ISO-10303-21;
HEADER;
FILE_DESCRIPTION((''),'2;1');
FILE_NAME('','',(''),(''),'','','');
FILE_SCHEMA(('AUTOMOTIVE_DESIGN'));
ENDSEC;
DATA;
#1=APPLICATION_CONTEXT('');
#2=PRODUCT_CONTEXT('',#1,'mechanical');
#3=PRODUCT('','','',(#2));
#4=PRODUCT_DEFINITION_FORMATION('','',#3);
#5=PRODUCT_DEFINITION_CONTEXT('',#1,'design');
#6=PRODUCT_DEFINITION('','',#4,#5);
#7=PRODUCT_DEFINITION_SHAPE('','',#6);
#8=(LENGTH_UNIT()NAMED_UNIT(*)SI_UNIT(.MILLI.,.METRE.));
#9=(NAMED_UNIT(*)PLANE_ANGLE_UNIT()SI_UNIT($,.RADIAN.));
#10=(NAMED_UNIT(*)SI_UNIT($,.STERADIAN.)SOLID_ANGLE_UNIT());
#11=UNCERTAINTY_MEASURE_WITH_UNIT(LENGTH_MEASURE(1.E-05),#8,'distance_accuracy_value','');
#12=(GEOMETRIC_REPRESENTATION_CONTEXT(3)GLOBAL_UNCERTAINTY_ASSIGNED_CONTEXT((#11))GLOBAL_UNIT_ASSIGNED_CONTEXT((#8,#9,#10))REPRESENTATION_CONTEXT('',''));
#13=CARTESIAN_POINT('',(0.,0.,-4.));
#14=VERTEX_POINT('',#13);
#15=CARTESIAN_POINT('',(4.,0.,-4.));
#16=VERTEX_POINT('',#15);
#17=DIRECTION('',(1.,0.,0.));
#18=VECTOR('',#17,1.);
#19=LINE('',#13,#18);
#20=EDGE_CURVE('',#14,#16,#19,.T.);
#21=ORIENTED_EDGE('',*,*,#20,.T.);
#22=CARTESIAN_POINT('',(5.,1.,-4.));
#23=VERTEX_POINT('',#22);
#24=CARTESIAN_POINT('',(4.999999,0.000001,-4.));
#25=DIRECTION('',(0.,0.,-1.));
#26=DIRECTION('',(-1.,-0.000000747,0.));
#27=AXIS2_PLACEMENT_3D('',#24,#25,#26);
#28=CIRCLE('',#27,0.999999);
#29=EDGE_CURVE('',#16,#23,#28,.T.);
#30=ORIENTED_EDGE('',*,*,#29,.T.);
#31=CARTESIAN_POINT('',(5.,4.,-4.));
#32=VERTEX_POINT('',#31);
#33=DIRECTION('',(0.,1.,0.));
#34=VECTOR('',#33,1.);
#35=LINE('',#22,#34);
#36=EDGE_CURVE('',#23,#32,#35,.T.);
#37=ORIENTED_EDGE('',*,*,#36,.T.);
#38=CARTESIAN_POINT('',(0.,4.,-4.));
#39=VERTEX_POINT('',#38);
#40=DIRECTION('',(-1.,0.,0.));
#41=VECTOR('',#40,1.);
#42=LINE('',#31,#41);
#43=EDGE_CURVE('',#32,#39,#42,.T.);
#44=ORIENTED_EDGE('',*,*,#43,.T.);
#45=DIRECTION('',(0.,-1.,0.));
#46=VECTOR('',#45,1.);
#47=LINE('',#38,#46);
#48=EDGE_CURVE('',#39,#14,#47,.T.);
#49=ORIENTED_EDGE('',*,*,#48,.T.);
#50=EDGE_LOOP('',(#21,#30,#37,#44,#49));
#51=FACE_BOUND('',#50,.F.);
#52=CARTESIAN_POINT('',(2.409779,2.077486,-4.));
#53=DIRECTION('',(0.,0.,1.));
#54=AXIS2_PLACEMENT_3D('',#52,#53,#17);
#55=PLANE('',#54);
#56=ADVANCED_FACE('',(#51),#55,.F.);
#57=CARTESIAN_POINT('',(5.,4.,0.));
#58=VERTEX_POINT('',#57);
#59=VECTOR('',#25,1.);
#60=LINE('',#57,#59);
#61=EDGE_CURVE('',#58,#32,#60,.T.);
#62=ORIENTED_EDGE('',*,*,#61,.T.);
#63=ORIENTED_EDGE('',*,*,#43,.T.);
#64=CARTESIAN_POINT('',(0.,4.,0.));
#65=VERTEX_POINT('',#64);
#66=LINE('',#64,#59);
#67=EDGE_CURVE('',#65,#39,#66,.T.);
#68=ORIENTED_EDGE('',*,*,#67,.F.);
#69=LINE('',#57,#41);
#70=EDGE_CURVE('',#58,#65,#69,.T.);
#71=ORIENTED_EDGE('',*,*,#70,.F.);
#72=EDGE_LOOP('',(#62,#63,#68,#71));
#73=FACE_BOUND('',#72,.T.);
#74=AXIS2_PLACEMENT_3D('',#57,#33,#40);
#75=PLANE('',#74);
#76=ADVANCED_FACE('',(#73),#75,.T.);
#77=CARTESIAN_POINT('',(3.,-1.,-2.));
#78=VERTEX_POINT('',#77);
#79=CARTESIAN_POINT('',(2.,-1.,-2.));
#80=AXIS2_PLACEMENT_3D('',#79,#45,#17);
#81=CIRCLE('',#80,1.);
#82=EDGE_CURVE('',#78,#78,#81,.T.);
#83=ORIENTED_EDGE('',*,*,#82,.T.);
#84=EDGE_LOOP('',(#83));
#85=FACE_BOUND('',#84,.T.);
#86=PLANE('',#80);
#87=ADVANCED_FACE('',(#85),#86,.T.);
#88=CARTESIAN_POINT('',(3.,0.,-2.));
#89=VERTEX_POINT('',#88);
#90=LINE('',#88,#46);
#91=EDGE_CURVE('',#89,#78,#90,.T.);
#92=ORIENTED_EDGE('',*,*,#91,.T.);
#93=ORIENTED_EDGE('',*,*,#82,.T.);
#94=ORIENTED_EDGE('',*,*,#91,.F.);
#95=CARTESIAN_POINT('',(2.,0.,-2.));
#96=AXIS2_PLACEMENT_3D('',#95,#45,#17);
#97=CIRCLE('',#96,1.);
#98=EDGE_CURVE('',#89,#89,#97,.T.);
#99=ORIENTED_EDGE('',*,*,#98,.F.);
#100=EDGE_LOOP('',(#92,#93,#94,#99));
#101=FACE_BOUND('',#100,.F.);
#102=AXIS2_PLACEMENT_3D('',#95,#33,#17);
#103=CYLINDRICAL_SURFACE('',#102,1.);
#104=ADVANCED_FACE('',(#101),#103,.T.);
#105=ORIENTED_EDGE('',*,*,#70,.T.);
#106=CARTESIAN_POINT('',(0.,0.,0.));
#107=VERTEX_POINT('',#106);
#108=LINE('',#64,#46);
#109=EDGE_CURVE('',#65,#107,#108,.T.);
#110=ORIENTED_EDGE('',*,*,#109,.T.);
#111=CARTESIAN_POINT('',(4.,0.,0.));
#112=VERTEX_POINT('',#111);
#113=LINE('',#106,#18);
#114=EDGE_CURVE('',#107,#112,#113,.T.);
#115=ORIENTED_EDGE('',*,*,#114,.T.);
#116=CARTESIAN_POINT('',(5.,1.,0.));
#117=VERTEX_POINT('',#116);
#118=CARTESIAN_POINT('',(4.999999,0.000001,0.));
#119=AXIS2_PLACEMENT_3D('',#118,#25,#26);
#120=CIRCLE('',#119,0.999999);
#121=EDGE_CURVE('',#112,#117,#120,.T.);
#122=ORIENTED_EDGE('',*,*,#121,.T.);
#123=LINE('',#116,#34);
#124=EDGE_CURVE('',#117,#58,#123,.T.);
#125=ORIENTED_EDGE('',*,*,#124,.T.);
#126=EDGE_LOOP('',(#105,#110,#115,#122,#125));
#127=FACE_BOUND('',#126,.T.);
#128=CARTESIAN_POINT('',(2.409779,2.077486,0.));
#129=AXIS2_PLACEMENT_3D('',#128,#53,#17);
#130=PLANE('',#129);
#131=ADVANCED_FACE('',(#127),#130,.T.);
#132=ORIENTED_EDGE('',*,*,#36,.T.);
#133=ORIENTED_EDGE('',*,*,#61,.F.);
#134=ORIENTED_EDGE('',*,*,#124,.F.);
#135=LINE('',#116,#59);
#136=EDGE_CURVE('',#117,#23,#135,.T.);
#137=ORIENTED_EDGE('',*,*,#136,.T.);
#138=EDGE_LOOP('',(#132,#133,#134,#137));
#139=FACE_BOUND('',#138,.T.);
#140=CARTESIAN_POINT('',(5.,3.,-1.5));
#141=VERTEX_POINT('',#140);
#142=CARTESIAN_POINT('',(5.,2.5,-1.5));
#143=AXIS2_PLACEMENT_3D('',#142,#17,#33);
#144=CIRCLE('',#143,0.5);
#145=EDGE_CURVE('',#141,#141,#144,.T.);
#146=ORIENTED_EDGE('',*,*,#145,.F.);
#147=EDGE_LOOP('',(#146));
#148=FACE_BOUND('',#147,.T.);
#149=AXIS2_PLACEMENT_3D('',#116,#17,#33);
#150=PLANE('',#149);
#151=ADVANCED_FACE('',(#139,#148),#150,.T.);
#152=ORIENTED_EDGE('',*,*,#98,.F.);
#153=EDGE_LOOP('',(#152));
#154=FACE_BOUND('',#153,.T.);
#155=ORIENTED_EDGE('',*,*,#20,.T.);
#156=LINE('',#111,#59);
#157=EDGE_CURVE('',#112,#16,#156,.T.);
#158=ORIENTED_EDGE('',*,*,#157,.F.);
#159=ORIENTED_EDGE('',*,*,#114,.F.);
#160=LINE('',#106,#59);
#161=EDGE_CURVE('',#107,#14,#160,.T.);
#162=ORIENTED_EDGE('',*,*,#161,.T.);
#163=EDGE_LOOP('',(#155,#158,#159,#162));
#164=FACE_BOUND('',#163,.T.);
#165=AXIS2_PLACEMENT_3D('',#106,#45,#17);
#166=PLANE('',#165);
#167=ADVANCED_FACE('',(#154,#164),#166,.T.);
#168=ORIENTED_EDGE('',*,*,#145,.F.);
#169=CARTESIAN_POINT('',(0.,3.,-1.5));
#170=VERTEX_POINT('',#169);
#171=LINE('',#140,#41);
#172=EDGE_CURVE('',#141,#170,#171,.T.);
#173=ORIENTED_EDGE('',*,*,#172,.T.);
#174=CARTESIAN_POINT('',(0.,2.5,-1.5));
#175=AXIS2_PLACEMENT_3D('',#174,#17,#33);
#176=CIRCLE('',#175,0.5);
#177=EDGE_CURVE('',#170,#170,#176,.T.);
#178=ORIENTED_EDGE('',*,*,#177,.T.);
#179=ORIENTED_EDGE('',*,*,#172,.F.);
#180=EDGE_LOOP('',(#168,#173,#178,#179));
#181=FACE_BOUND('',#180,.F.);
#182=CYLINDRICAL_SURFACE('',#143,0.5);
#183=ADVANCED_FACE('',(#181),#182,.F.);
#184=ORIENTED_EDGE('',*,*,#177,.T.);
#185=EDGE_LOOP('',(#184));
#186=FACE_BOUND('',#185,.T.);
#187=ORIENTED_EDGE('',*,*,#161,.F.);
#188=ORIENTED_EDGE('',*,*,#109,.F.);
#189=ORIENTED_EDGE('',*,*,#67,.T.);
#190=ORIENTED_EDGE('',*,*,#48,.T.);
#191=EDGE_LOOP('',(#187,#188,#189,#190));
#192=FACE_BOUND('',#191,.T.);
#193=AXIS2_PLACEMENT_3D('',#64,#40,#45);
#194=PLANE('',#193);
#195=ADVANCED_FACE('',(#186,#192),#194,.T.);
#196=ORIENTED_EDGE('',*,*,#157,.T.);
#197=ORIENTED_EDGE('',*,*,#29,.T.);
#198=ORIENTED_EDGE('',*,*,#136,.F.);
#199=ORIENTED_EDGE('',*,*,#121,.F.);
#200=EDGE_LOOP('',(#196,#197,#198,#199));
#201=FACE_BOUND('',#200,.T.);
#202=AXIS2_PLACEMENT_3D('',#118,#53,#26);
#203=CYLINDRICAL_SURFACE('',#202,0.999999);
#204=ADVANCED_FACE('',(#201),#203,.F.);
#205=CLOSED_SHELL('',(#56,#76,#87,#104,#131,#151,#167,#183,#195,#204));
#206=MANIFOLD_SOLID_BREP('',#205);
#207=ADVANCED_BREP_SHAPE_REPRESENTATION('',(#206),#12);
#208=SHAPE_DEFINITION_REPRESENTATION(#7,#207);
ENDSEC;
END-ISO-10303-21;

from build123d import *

# Parameters (mm, degrees)
F1_DEPTH = 4
F2_R     = 1
F3_DEPTH = 1
F4_R     = 0.5
F5_DEPTH = 25


with BuildPart() as f1:
    # F0 (on Top) → F1 (new body)
    with BuildSketch(Plane.XY):
        with BuildLine():
            Line((0, 4), (0, 0))
            Line((0, 0), (4, 0))
            ThreePointArc((4, 0), (4.292893, 0.707107), (5, 1))
            Line((5, 1), (5, 4))
            Line((5, 4), (0, 4))
        make_face()
    extrude(amount=-F1_DEPTH)

    # F2 (on Front) → F3 (join)
    with BuildSketch(Plane.XZ):
        with Locations((2, -2)):
            Circle(F2_R)
    extrude(amount=F3_DEPTH)

    # F4 (on face) → F5 (cut)
    with BuildSketch(Plane.YZ.offset(5)):
        with Locations((2.5, -1.5)):
            Circle(F4_R)
    extrude(amount=-F5_DEPTH, mode=Mode.SUBTRACT)


solid = f1.part
